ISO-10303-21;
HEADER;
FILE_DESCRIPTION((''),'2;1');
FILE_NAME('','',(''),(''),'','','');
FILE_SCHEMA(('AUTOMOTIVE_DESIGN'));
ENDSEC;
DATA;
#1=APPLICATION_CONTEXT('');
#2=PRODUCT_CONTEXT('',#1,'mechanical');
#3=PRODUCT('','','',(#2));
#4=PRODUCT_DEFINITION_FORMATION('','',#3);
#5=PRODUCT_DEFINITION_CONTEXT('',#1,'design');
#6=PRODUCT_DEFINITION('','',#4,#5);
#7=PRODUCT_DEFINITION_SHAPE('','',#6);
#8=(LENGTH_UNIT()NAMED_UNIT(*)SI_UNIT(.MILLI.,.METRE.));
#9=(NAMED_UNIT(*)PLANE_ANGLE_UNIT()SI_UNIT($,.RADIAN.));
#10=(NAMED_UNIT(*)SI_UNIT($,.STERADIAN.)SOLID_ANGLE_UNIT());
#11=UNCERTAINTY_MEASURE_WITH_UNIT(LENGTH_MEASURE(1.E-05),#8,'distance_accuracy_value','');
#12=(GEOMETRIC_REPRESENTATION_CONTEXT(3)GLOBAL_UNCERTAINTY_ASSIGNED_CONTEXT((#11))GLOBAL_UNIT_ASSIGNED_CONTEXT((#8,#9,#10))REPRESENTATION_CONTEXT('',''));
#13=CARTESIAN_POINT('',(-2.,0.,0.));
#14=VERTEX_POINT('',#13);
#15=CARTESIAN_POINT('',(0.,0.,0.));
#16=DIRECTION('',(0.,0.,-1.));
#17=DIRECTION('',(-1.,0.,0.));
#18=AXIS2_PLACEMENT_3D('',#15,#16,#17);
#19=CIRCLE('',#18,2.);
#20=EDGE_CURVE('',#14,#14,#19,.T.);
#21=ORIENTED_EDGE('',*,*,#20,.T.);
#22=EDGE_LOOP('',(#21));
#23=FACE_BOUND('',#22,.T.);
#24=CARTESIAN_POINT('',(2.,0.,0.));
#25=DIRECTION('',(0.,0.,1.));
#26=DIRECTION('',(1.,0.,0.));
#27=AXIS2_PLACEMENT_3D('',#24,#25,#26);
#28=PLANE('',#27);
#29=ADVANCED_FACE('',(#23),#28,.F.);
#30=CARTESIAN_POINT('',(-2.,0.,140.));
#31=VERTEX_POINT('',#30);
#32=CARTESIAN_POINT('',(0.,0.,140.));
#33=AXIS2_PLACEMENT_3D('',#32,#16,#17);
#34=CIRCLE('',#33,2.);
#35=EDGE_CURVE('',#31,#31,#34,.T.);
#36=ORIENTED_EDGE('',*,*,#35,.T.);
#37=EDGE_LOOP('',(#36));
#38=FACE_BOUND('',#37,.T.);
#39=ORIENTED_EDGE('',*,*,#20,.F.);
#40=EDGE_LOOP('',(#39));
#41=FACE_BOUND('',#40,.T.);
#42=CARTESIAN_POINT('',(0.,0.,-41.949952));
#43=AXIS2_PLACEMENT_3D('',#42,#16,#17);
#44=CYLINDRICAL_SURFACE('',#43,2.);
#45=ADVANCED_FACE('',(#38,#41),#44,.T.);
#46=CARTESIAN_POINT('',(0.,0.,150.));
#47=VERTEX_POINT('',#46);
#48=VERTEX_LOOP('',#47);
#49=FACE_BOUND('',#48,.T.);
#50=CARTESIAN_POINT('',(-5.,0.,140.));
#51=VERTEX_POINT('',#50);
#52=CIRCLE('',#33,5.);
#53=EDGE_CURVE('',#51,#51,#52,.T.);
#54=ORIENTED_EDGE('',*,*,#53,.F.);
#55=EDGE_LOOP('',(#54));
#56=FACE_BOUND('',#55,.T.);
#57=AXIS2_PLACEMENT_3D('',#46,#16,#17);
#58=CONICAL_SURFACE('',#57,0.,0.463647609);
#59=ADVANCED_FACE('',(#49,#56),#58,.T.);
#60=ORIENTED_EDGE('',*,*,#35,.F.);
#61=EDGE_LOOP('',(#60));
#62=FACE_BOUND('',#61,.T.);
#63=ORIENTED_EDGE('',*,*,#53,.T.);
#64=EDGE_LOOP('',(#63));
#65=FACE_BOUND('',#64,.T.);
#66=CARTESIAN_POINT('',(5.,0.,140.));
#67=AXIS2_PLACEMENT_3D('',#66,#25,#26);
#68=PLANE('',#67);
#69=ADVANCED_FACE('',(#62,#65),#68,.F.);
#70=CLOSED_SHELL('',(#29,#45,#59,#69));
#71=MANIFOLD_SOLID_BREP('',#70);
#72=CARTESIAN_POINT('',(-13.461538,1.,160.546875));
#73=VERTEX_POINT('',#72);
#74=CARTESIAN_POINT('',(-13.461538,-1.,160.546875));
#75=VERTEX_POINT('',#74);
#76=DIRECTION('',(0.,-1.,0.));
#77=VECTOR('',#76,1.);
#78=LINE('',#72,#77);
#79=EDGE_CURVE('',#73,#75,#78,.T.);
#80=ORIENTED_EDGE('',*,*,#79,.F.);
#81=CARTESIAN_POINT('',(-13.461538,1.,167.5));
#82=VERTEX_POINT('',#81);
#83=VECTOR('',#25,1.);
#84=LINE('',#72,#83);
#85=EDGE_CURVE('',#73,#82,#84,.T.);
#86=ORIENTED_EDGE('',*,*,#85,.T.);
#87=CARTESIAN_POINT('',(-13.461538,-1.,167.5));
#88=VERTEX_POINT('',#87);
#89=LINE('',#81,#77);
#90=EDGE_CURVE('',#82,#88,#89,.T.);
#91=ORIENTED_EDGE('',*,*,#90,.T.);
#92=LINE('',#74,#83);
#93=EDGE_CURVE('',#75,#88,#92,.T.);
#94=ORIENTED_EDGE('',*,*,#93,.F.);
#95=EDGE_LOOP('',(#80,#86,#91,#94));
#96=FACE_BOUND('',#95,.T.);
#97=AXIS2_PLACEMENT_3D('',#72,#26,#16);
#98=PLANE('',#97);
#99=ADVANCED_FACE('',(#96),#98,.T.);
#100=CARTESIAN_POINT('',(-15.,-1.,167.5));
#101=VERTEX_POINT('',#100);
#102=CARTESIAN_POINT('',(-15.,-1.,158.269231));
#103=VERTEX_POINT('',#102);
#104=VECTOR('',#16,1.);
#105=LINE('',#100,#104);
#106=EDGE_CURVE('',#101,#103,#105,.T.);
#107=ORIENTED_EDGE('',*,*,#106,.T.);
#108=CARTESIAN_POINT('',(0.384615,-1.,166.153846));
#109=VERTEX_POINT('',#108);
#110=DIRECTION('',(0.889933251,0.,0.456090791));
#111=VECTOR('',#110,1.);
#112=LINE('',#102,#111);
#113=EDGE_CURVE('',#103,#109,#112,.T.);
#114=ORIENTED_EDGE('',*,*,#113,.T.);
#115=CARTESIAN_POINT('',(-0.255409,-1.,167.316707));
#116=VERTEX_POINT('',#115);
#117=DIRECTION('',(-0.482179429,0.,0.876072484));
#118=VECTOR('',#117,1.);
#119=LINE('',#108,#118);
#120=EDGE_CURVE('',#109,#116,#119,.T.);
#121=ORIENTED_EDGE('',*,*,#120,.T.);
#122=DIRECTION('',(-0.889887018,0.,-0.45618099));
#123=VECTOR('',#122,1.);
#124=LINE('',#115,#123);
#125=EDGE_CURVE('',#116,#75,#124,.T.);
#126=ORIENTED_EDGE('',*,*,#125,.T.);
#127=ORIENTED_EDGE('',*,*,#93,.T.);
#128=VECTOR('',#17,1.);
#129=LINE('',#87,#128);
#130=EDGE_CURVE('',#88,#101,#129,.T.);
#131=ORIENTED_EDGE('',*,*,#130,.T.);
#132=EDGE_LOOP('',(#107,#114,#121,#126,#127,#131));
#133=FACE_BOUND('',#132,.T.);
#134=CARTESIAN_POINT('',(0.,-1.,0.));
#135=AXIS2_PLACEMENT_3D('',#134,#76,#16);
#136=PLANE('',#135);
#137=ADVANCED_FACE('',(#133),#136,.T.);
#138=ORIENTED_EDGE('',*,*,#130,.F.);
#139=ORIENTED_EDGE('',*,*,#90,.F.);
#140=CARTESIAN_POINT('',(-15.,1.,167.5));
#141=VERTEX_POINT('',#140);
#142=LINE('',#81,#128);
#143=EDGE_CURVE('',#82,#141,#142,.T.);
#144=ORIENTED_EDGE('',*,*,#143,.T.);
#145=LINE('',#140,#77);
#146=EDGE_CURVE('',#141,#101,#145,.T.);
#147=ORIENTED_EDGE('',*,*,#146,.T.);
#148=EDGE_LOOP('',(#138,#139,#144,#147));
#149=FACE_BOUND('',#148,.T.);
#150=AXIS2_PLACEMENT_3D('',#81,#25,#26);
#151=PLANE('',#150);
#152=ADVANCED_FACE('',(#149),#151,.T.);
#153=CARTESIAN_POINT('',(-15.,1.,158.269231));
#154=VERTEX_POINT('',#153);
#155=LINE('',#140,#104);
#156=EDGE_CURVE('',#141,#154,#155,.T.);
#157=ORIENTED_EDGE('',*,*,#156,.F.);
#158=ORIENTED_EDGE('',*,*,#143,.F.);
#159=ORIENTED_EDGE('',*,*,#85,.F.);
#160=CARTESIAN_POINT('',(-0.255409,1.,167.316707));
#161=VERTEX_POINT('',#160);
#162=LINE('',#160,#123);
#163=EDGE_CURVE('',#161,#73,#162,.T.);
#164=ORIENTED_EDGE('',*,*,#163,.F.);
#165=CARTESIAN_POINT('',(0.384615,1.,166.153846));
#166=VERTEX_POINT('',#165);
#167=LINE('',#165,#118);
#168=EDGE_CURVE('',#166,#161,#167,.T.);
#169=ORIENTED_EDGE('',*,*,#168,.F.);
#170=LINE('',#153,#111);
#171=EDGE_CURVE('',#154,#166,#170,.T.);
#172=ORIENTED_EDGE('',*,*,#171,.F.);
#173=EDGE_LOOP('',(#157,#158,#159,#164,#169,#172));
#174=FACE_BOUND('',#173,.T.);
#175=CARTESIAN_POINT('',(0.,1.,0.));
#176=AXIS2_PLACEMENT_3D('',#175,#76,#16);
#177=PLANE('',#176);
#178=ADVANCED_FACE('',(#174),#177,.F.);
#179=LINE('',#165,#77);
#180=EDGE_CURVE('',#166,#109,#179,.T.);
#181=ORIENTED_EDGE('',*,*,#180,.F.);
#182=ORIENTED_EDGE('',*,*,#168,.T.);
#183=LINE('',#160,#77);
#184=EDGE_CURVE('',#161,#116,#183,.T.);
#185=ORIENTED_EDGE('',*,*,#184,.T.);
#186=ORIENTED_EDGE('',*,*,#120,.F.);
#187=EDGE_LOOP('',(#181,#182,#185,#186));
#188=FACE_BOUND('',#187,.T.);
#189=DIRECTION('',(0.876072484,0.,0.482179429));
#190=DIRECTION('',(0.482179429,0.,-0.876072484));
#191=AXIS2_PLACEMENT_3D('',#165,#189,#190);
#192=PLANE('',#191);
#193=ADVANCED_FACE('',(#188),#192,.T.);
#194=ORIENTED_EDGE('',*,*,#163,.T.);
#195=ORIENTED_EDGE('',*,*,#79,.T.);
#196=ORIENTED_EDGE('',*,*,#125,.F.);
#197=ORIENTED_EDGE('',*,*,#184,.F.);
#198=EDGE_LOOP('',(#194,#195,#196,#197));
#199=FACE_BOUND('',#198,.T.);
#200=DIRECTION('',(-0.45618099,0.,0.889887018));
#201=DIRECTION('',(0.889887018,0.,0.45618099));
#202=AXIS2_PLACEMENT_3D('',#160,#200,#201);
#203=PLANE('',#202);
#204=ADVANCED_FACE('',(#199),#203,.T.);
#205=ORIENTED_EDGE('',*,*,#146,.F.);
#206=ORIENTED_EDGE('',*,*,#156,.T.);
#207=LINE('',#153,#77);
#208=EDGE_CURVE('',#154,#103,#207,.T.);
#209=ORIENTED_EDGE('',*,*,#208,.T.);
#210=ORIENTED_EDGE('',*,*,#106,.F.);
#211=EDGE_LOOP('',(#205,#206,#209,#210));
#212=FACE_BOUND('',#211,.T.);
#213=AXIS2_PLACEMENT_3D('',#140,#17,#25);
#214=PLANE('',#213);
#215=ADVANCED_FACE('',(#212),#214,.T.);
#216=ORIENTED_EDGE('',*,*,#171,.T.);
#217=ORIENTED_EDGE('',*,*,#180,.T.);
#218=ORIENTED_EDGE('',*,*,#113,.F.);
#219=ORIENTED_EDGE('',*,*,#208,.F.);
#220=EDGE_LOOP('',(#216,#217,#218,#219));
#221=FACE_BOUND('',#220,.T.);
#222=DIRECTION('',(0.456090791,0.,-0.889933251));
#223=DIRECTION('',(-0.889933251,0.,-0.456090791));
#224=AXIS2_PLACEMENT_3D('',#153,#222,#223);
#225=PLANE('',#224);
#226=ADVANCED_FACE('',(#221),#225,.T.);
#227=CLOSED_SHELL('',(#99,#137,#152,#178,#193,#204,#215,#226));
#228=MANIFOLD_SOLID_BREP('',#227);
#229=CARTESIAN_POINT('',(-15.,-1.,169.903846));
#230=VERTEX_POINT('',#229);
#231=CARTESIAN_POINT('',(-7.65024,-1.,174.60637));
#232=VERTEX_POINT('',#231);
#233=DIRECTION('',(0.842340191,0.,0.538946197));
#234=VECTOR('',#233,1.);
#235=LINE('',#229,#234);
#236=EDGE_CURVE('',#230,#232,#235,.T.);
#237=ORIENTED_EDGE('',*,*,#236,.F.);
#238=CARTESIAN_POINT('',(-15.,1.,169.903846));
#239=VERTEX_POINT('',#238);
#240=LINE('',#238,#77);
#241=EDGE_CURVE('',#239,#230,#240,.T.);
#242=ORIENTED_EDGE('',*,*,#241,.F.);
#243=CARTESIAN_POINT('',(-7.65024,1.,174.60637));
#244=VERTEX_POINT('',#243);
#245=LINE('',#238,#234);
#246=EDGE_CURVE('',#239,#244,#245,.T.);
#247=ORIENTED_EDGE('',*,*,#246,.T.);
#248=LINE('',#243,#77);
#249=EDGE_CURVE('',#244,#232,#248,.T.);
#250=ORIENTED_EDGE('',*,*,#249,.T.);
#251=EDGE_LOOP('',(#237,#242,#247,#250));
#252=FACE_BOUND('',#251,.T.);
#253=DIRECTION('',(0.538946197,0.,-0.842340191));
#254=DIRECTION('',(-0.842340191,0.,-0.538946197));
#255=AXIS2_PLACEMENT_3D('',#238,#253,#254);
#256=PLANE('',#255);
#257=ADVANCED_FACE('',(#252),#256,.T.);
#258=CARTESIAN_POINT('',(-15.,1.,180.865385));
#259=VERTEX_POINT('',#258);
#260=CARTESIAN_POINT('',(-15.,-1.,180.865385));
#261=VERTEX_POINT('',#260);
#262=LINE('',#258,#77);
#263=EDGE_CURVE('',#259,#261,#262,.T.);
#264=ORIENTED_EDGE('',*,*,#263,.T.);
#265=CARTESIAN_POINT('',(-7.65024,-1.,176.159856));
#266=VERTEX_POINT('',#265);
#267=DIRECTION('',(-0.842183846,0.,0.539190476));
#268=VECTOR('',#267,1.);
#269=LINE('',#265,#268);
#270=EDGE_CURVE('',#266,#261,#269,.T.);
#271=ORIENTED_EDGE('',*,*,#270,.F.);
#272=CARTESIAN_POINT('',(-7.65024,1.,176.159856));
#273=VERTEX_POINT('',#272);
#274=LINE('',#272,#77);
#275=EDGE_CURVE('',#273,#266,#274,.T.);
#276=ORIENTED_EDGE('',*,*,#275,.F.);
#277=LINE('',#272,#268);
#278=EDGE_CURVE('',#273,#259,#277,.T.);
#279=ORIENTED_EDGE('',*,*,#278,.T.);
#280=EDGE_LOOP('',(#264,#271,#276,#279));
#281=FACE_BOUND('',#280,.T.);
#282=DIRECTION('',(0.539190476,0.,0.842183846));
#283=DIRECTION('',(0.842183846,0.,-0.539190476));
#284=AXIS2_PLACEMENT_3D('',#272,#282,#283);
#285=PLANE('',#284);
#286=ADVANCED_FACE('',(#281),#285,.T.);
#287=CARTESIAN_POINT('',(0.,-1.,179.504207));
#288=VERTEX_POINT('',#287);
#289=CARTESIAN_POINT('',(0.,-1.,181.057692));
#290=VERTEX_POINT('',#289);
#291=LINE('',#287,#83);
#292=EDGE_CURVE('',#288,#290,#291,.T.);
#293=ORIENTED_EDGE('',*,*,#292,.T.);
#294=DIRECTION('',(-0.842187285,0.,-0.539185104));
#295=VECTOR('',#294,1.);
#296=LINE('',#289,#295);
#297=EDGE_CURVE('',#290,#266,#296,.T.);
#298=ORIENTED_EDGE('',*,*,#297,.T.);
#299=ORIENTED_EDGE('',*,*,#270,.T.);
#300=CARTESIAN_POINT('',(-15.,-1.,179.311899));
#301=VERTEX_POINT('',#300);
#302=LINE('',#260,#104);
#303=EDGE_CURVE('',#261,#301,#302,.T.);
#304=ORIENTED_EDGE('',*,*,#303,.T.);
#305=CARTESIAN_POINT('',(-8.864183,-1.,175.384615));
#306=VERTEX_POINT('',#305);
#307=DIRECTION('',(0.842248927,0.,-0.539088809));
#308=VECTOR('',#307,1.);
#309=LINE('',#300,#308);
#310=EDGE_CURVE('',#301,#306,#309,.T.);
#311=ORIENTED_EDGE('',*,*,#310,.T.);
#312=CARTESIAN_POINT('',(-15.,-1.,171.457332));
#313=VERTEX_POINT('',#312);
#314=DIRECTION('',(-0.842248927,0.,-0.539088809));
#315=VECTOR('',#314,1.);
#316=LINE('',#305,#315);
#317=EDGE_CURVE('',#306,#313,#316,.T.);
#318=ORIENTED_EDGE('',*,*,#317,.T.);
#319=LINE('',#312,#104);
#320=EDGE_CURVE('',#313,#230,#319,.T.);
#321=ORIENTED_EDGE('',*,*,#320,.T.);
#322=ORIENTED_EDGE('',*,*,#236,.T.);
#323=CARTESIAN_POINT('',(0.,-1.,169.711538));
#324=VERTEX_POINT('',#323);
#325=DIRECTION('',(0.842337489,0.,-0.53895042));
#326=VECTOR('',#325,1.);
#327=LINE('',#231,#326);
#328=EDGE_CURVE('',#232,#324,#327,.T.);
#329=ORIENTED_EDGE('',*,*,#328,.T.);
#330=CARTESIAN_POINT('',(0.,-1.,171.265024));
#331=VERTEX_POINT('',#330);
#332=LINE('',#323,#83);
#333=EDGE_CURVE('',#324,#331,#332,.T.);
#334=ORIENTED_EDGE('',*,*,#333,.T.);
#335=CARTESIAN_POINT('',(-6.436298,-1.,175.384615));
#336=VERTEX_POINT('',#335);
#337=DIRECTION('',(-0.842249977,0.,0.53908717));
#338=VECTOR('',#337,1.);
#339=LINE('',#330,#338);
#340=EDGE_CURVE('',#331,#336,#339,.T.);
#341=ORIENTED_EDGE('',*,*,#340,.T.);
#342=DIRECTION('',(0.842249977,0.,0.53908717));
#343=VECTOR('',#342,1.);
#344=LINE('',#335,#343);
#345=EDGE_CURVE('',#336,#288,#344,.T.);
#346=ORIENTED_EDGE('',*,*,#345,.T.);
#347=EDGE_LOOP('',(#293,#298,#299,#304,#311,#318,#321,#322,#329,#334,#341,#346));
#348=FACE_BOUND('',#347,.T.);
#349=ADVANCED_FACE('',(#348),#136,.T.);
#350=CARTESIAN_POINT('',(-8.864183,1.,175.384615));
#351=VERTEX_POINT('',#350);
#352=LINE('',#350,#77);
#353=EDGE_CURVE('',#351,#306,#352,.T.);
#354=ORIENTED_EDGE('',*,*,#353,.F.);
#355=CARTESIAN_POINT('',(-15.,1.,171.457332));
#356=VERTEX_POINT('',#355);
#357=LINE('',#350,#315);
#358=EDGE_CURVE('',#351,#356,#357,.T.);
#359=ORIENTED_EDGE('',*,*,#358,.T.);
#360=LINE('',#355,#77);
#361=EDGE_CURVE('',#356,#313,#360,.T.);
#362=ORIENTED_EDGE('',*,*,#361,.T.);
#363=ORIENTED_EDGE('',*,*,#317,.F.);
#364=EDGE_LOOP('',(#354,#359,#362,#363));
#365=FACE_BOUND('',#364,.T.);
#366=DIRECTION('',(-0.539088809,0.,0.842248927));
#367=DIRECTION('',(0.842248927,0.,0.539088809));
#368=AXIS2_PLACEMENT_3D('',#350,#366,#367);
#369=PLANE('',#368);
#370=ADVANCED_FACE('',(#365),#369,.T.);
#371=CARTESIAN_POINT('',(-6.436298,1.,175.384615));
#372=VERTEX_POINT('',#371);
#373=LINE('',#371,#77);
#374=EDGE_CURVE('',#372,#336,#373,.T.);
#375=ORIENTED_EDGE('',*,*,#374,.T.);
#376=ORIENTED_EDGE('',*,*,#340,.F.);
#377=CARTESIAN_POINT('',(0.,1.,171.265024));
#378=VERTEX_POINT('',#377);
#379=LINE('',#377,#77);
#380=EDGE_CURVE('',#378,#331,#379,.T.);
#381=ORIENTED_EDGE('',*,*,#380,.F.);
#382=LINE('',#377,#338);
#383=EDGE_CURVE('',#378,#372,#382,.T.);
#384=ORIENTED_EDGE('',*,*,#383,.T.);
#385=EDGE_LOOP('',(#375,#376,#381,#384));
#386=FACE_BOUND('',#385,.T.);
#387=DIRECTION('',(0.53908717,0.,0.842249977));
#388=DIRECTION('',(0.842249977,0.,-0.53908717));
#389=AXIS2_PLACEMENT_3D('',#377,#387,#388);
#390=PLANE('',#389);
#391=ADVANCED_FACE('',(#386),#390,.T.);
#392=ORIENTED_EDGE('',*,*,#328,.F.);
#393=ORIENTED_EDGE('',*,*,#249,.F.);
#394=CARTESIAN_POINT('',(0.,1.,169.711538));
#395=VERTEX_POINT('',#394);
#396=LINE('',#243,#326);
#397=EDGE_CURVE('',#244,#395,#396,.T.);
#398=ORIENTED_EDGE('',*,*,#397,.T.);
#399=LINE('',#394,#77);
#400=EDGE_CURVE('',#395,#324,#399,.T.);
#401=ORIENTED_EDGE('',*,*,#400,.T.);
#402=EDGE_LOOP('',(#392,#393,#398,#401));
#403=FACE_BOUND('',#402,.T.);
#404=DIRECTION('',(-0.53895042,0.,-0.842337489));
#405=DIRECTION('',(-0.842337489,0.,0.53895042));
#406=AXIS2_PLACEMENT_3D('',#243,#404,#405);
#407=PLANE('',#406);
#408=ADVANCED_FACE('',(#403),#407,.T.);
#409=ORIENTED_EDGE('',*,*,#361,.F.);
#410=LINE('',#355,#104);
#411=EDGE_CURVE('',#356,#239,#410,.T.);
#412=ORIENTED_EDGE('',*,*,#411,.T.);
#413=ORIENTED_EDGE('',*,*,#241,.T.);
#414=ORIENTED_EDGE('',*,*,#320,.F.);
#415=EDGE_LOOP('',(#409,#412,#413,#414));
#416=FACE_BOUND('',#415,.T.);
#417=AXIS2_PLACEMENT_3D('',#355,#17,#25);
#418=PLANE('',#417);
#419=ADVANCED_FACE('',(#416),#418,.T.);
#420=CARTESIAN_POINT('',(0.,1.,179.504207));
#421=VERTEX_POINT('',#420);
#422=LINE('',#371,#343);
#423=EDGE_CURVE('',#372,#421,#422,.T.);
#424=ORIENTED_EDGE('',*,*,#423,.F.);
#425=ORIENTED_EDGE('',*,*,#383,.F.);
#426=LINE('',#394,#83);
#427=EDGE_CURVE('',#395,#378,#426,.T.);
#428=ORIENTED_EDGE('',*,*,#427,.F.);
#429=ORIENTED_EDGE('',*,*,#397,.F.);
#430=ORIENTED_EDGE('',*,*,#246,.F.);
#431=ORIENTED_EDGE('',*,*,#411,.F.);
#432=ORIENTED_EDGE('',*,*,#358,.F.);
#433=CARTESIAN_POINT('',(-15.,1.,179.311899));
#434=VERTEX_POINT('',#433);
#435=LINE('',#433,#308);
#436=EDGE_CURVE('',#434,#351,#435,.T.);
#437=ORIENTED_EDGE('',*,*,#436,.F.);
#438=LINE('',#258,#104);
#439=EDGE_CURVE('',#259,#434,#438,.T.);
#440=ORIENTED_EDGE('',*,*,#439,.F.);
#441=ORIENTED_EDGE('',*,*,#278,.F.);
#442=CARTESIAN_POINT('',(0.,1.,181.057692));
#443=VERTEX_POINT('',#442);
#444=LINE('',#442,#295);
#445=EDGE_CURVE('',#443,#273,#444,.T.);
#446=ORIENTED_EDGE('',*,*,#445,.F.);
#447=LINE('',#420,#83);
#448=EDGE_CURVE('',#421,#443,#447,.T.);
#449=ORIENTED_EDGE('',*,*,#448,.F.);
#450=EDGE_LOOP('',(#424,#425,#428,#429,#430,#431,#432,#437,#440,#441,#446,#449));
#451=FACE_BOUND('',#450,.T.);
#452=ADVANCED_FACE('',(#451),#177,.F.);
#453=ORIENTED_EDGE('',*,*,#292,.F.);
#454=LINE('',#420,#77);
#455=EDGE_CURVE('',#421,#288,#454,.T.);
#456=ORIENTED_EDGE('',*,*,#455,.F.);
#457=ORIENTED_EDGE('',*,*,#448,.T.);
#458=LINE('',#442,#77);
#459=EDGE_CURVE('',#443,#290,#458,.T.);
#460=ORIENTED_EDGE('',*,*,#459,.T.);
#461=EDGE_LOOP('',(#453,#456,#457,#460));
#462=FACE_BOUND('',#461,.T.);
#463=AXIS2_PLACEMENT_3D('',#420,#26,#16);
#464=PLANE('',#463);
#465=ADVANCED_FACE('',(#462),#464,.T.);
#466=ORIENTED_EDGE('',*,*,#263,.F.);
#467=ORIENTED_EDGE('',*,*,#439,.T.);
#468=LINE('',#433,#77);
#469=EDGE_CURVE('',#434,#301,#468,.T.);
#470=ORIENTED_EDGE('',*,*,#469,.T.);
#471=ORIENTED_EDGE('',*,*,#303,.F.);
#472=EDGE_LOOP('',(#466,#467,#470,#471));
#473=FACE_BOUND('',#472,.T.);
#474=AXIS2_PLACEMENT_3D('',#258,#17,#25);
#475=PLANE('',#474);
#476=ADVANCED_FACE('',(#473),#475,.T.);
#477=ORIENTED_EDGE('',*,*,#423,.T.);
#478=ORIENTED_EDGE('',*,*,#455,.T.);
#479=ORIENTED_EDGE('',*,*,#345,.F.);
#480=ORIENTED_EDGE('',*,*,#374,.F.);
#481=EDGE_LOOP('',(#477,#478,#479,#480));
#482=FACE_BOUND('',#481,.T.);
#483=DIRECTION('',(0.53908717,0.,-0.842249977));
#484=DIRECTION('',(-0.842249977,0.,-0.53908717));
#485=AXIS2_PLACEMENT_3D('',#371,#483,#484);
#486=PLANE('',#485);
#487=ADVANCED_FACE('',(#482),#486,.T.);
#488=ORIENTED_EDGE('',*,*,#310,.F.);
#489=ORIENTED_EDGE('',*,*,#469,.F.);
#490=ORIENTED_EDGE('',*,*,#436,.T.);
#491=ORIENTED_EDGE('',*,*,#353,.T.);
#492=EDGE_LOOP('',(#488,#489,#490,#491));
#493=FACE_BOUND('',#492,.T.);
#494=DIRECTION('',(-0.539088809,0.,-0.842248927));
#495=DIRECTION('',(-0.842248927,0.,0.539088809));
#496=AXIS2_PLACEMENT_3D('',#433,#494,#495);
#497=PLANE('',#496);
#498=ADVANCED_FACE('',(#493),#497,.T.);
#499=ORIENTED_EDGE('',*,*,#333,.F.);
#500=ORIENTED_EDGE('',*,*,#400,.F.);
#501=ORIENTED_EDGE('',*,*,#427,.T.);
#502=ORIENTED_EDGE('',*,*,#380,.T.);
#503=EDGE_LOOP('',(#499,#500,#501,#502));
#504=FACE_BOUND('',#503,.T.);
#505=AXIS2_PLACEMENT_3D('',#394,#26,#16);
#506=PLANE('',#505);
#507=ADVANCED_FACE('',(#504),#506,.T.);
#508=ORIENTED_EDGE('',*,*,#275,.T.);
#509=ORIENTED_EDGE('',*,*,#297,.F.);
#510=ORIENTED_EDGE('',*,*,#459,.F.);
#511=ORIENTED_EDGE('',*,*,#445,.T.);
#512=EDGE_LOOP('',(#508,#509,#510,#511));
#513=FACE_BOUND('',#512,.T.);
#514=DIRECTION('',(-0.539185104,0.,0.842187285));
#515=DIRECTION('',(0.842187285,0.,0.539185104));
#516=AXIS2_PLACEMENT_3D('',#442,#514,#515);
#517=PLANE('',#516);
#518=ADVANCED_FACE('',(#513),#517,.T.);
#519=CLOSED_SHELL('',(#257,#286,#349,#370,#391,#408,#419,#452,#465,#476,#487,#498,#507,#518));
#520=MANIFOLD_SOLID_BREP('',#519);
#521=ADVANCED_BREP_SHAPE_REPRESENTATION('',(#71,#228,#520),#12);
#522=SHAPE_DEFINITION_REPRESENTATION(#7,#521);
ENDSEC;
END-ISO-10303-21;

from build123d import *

# Parameters (mm, degrees)
BOSS_EXTRUDE1_DEPTH        = 1
BOSS_EXTRUDE1_DEPTH_BACK   = 1
BOSS_EXTRUDE1_2_DEPTH      = 1
BOSS_EXTRUDE1_2_DEPTH_BACK = 1


with BuildPart() as part:
    # Sketch2 → Revolve1 (revolve)
    with BuildSketch(Plane(origin=(0, 0, 0), x_dir=(1, 0, 0), z_dir=(0, 1, 0))):
        Polygon((0, -150), (5, -140), (2, -140), (2, 0), (0, 0), align=None)
    revolve(axis=Axis((0, 0, -41.949952025), (0, 0, 1)))


with BuildPart() as body_2:
    # Sketch3 → Boss-Extrude1 (new, two sides: drawn at the far end of the back side and taken through both)
    with BuildSketch(Plane(origin=(0, 0, 0), x_dir=(1, 0, 0), z_dir=(0, 1, 0)).offset(-BOSS_EXTRUDE1_DEPTH_BACK)):
        Polygon((-15, -167.5), (-15, -158.269230769), (0.384615385, -166.153846154), (-0.255408654, -167.316706731), (-13.461538462, -160.546875), (-13.461538462, -167.5), align=None)
    extrude(amount=BOSS_EXTRUDE1_DEPTH + BOSS_EXTRUDE1_DEPTH_BACK)


with BuildPart() as body_3:
    # Sketch3 → Boss-Extrude1 2 (new, two sides: drawn at the far end of the back side and taken through both)
    with BuildSketch(Plane(origin=(0, 0, 0), x_dir=(1, 0, 0), z_dir=(0, 1, 0)).offset(-BOSS_EXTRUDE1_2_DEPTH_BACK)):
        Polygon((-15, -180.865384615), (-15, -179.311899038), (-8.864182692, -175.384615385), (-15, -171.457331731), (-15, -169.903846154), (-7.650240385, -174.606370192), (0, -169.711538462), (0, -171.265024038), (-6.436298077, -175.384615385), (0, -179.504206731), (0, -181.057692308), (-7.650240385, -176.159855769), align=None)
    extrude(amount=BOSS_EXTRUDE1_2_DEPTH + BOSS_EXTRUDE1_2_DEPTH_BACK)


solid = Compound([part.part, body_2.part, body_3.part])
